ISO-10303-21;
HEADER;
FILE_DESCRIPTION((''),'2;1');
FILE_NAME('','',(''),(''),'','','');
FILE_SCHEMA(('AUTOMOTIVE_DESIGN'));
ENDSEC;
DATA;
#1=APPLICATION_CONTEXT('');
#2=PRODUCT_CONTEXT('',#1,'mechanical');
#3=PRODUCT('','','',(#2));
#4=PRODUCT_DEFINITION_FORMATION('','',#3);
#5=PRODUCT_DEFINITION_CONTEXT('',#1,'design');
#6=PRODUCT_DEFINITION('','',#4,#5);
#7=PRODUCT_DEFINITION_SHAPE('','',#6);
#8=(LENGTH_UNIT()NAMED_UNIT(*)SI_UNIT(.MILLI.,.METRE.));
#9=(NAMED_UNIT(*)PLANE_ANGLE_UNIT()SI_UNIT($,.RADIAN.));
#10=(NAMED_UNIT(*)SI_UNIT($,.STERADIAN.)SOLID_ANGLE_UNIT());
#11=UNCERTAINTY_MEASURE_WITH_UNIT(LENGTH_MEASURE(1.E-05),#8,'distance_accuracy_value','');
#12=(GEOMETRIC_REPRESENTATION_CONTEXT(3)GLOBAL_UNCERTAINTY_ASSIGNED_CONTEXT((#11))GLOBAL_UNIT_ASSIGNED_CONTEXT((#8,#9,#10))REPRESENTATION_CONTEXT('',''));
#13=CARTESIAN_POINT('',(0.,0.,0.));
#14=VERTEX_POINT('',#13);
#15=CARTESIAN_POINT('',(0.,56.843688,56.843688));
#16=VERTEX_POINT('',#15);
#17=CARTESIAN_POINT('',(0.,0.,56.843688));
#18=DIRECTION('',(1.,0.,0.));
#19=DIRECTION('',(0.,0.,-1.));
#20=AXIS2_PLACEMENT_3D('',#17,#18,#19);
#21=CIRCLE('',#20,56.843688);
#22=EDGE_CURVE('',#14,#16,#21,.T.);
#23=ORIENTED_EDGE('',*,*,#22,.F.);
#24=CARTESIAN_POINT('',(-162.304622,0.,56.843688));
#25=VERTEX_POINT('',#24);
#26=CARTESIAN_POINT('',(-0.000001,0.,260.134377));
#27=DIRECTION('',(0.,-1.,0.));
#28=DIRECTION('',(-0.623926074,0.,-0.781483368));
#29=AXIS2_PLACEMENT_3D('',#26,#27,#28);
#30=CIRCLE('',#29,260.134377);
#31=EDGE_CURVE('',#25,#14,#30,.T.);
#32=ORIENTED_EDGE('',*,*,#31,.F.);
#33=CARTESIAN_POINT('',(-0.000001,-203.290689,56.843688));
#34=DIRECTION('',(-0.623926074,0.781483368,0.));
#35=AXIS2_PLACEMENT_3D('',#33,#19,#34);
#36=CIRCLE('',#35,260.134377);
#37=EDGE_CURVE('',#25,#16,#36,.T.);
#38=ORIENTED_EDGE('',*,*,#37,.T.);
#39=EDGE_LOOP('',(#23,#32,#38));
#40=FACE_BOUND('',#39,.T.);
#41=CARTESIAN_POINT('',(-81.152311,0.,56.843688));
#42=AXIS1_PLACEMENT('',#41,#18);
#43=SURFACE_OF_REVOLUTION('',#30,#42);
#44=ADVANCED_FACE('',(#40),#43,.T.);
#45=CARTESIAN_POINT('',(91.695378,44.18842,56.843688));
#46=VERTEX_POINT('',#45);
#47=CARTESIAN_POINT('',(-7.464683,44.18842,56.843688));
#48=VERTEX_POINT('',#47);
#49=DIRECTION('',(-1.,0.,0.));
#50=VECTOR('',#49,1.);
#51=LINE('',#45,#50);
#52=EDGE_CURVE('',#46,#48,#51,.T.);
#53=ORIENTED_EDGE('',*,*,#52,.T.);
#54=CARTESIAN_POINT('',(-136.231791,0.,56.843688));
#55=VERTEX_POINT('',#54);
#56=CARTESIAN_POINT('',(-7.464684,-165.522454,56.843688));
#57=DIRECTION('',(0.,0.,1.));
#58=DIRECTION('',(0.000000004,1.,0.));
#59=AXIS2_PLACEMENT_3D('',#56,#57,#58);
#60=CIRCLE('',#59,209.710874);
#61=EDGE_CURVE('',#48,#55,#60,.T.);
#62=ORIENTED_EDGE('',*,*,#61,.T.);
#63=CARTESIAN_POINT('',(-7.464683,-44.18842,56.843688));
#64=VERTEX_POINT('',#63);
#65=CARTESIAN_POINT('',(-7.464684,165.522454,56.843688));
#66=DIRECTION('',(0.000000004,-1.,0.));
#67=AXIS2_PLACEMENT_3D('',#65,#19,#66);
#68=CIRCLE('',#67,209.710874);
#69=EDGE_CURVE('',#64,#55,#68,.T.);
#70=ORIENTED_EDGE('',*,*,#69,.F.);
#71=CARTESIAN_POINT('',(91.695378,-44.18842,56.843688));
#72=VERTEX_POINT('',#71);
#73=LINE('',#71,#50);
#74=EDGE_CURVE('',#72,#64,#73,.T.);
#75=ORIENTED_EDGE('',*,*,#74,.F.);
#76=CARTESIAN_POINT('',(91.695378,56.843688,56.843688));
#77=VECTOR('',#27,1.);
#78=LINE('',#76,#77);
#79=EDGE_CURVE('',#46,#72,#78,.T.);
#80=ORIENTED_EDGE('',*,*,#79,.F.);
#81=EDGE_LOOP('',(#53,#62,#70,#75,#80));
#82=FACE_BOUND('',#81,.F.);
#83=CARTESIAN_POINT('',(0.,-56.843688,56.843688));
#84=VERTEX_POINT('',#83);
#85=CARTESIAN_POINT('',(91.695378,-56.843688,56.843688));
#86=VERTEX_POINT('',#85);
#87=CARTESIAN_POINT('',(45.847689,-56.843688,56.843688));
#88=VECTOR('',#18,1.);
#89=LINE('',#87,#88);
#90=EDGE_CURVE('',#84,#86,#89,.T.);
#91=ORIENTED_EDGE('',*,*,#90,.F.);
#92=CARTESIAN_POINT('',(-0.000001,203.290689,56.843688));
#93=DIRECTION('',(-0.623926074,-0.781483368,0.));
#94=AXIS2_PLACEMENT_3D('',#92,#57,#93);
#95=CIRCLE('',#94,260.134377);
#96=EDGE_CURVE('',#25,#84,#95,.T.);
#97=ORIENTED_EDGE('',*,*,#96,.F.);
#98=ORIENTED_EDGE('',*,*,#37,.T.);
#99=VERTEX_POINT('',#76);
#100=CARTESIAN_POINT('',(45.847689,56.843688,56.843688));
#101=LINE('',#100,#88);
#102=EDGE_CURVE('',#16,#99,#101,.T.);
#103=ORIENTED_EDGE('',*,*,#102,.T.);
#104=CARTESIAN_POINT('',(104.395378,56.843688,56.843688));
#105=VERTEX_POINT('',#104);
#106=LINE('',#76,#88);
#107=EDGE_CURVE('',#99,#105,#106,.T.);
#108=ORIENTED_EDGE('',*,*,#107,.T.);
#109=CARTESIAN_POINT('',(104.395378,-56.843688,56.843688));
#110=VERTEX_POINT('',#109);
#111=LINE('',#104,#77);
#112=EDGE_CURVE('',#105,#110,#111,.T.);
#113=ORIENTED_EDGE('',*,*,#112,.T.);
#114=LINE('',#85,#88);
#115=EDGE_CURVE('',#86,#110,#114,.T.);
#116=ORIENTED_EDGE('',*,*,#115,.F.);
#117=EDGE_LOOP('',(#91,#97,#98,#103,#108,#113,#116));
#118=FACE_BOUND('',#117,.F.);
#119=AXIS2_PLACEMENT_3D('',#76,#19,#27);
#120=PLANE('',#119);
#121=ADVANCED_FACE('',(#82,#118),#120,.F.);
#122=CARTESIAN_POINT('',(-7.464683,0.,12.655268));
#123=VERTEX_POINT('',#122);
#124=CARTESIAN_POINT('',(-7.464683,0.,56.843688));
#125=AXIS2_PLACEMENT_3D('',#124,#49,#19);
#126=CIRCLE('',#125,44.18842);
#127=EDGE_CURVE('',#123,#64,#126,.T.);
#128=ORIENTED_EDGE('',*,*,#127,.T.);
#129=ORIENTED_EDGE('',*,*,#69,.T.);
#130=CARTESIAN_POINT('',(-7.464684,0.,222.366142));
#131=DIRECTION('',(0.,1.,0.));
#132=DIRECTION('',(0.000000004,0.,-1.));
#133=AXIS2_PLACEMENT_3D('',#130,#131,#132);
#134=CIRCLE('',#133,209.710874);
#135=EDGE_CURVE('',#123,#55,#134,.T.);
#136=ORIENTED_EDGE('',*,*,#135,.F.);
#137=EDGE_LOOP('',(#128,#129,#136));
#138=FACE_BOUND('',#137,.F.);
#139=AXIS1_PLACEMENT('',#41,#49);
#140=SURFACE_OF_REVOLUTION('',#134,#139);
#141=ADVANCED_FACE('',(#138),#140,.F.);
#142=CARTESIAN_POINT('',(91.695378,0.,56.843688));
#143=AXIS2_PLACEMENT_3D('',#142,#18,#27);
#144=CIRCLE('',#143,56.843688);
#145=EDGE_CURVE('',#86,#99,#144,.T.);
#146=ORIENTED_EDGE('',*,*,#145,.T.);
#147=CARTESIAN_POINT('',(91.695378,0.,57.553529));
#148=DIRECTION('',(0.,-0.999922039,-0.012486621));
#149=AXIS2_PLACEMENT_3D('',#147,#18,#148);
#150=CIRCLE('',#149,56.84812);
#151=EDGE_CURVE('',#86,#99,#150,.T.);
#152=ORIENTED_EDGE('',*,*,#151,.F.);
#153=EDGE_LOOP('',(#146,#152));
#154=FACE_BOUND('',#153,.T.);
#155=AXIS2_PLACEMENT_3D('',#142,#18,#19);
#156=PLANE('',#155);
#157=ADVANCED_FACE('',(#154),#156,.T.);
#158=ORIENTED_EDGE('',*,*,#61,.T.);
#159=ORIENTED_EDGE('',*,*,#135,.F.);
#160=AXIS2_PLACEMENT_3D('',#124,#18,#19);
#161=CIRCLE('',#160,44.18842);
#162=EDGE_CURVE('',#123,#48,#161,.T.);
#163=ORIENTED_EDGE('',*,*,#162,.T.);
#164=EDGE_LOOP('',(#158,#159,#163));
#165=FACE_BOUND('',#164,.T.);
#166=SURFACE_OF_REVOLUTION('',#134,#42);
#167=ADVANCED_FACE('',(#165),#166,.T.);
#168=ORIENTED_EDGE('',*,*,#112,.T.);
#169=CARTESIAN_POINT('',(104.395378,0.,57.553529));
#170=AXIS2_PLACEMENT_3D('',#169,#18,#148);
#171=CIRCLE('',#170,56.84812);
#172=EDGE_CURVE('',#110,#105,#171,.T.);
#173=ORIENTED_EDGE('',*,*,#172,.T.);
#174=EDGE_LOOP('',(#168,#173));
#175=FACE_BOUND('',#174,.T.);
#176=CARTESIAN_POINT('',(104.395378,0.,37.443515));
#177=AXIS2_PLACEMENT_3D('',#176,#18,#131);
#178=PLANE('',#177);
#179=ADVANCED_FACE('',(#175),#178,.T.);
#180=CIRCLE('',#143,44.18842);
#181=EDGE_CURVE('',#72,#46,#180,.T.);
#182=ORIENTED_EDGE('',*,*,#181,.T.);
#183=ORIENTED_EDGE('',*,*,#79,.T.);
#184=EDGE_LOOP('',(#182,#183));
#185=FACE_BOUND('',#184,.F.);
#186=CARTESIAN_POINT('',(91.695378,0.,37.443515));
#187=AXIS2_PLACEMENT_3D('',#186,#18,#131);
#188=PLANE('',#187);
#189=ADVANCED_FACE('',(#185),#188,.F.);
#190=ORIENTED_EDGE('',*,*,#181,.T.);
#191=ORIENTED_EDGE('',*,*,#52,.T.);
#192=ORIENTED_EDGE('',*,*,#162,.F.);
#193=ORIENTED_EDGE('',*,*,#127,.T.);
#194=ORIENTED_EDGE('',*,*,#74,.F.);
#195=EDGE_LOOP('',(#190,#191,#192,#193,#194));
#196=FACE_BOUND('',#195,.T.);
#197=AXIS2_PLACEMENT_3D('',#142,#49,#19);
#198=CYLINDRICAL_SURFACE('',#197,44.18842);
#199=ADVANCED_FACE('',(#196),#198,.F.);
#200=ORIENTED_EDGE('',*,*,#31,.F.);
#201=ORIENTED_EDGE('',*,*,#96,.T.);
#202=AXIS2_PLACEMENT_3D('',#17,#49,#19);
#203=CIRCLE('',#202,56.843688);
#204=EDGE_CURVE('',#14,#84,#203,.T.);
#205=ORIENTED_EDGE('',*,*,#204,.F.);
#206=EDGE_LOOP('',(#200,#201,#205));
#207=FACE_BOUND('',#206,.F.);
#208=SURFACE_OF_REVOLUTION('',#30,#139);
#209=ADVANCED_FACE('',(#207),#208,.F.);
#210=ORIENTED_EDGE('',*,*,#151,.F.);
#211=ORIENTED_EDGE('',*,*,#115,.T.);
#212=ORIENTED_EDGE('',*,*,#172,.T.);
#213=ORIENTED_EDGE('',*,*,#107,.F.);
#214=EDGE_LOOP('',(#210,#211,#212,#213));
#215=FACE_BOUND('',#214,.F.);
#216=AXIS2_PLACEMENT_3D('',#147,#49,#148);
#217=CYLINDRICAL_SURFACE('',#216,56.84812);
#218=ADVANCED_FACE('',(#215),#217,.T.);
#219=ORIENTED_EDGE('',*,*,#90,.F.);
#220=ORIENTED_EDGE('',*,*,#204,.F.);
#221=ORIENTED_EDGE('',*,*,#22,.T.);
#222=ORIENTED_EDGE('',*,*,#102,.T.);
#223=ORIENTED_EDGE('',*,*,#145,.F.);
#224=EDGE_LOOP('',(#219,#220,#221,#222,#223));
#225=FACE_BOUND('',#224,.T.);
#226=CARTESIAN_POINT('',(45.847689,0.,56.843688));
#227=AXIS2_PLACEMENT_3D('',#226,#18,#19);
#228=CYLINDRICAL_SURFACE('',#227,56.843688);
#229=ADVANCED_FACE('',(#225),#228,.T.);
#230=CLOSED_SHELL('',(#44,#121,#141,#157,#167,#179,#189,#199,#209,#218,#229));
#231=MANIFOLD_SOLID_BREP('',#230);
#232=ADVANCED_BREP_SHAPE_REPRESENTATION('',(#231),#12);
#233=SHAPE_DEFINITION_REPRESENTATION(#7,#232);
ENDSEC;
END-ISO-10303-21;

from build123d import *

# Parameters (mm, degrees)
F0_W     = 91.695378
F0_H     = 12.655268
F1_ANGLE = 180
F3_DEPTH = 12.7


with BuildPart() as f1:
    # F0 (on Front) → F1 (revolve, symmetric)
    with BuildSketch(Plane.XZ) as f1_sk:
        with BuildLine():
            Line((0, 0), (0, 12.655268))
            Line((0, 12.655268), (-7.464683, 12.655268))
            ThreePointArc((-7.464683, 12.655268), (-75.533737, 24.009759), (-136.231791, 56.843688))
            Line((-136.231791, 56.843688), (-162.304622, 56.843688))
            ThreePointArc((-162.304622, 56.843688), (-85.985457, 14.621861), (0, 0))
        make_face()
        with Locations((45.847689, 6.327634)):
            Rectangle(F0_W, F0_H)
    revolve(axis=Axis((-81.152311, 0, 56.843688), (-1, 0, 0)), revolution_arc=F1_ANGLE / 2)
    revolve(f1_sk.sketch, axis=Axis((-81.152311, 0, 56.843688), (1, 0, 0)), revolution_arc=F1_ANGLE / 2)

    # F2 (on face) → F3 (join)
    with BuildSketch(Plane.YZ.offset(91.695378)):
        with BuildLine():
            Line((56.843688, 56.843688), (-56.843688, 56.843688))
            ThreePointArc((-56.843688, 56.843688), (0, 0.705409), (56.843688, 56.843688))
        make_face()
    extrude(amount=F3_DEPTH)


solid = f1.part
